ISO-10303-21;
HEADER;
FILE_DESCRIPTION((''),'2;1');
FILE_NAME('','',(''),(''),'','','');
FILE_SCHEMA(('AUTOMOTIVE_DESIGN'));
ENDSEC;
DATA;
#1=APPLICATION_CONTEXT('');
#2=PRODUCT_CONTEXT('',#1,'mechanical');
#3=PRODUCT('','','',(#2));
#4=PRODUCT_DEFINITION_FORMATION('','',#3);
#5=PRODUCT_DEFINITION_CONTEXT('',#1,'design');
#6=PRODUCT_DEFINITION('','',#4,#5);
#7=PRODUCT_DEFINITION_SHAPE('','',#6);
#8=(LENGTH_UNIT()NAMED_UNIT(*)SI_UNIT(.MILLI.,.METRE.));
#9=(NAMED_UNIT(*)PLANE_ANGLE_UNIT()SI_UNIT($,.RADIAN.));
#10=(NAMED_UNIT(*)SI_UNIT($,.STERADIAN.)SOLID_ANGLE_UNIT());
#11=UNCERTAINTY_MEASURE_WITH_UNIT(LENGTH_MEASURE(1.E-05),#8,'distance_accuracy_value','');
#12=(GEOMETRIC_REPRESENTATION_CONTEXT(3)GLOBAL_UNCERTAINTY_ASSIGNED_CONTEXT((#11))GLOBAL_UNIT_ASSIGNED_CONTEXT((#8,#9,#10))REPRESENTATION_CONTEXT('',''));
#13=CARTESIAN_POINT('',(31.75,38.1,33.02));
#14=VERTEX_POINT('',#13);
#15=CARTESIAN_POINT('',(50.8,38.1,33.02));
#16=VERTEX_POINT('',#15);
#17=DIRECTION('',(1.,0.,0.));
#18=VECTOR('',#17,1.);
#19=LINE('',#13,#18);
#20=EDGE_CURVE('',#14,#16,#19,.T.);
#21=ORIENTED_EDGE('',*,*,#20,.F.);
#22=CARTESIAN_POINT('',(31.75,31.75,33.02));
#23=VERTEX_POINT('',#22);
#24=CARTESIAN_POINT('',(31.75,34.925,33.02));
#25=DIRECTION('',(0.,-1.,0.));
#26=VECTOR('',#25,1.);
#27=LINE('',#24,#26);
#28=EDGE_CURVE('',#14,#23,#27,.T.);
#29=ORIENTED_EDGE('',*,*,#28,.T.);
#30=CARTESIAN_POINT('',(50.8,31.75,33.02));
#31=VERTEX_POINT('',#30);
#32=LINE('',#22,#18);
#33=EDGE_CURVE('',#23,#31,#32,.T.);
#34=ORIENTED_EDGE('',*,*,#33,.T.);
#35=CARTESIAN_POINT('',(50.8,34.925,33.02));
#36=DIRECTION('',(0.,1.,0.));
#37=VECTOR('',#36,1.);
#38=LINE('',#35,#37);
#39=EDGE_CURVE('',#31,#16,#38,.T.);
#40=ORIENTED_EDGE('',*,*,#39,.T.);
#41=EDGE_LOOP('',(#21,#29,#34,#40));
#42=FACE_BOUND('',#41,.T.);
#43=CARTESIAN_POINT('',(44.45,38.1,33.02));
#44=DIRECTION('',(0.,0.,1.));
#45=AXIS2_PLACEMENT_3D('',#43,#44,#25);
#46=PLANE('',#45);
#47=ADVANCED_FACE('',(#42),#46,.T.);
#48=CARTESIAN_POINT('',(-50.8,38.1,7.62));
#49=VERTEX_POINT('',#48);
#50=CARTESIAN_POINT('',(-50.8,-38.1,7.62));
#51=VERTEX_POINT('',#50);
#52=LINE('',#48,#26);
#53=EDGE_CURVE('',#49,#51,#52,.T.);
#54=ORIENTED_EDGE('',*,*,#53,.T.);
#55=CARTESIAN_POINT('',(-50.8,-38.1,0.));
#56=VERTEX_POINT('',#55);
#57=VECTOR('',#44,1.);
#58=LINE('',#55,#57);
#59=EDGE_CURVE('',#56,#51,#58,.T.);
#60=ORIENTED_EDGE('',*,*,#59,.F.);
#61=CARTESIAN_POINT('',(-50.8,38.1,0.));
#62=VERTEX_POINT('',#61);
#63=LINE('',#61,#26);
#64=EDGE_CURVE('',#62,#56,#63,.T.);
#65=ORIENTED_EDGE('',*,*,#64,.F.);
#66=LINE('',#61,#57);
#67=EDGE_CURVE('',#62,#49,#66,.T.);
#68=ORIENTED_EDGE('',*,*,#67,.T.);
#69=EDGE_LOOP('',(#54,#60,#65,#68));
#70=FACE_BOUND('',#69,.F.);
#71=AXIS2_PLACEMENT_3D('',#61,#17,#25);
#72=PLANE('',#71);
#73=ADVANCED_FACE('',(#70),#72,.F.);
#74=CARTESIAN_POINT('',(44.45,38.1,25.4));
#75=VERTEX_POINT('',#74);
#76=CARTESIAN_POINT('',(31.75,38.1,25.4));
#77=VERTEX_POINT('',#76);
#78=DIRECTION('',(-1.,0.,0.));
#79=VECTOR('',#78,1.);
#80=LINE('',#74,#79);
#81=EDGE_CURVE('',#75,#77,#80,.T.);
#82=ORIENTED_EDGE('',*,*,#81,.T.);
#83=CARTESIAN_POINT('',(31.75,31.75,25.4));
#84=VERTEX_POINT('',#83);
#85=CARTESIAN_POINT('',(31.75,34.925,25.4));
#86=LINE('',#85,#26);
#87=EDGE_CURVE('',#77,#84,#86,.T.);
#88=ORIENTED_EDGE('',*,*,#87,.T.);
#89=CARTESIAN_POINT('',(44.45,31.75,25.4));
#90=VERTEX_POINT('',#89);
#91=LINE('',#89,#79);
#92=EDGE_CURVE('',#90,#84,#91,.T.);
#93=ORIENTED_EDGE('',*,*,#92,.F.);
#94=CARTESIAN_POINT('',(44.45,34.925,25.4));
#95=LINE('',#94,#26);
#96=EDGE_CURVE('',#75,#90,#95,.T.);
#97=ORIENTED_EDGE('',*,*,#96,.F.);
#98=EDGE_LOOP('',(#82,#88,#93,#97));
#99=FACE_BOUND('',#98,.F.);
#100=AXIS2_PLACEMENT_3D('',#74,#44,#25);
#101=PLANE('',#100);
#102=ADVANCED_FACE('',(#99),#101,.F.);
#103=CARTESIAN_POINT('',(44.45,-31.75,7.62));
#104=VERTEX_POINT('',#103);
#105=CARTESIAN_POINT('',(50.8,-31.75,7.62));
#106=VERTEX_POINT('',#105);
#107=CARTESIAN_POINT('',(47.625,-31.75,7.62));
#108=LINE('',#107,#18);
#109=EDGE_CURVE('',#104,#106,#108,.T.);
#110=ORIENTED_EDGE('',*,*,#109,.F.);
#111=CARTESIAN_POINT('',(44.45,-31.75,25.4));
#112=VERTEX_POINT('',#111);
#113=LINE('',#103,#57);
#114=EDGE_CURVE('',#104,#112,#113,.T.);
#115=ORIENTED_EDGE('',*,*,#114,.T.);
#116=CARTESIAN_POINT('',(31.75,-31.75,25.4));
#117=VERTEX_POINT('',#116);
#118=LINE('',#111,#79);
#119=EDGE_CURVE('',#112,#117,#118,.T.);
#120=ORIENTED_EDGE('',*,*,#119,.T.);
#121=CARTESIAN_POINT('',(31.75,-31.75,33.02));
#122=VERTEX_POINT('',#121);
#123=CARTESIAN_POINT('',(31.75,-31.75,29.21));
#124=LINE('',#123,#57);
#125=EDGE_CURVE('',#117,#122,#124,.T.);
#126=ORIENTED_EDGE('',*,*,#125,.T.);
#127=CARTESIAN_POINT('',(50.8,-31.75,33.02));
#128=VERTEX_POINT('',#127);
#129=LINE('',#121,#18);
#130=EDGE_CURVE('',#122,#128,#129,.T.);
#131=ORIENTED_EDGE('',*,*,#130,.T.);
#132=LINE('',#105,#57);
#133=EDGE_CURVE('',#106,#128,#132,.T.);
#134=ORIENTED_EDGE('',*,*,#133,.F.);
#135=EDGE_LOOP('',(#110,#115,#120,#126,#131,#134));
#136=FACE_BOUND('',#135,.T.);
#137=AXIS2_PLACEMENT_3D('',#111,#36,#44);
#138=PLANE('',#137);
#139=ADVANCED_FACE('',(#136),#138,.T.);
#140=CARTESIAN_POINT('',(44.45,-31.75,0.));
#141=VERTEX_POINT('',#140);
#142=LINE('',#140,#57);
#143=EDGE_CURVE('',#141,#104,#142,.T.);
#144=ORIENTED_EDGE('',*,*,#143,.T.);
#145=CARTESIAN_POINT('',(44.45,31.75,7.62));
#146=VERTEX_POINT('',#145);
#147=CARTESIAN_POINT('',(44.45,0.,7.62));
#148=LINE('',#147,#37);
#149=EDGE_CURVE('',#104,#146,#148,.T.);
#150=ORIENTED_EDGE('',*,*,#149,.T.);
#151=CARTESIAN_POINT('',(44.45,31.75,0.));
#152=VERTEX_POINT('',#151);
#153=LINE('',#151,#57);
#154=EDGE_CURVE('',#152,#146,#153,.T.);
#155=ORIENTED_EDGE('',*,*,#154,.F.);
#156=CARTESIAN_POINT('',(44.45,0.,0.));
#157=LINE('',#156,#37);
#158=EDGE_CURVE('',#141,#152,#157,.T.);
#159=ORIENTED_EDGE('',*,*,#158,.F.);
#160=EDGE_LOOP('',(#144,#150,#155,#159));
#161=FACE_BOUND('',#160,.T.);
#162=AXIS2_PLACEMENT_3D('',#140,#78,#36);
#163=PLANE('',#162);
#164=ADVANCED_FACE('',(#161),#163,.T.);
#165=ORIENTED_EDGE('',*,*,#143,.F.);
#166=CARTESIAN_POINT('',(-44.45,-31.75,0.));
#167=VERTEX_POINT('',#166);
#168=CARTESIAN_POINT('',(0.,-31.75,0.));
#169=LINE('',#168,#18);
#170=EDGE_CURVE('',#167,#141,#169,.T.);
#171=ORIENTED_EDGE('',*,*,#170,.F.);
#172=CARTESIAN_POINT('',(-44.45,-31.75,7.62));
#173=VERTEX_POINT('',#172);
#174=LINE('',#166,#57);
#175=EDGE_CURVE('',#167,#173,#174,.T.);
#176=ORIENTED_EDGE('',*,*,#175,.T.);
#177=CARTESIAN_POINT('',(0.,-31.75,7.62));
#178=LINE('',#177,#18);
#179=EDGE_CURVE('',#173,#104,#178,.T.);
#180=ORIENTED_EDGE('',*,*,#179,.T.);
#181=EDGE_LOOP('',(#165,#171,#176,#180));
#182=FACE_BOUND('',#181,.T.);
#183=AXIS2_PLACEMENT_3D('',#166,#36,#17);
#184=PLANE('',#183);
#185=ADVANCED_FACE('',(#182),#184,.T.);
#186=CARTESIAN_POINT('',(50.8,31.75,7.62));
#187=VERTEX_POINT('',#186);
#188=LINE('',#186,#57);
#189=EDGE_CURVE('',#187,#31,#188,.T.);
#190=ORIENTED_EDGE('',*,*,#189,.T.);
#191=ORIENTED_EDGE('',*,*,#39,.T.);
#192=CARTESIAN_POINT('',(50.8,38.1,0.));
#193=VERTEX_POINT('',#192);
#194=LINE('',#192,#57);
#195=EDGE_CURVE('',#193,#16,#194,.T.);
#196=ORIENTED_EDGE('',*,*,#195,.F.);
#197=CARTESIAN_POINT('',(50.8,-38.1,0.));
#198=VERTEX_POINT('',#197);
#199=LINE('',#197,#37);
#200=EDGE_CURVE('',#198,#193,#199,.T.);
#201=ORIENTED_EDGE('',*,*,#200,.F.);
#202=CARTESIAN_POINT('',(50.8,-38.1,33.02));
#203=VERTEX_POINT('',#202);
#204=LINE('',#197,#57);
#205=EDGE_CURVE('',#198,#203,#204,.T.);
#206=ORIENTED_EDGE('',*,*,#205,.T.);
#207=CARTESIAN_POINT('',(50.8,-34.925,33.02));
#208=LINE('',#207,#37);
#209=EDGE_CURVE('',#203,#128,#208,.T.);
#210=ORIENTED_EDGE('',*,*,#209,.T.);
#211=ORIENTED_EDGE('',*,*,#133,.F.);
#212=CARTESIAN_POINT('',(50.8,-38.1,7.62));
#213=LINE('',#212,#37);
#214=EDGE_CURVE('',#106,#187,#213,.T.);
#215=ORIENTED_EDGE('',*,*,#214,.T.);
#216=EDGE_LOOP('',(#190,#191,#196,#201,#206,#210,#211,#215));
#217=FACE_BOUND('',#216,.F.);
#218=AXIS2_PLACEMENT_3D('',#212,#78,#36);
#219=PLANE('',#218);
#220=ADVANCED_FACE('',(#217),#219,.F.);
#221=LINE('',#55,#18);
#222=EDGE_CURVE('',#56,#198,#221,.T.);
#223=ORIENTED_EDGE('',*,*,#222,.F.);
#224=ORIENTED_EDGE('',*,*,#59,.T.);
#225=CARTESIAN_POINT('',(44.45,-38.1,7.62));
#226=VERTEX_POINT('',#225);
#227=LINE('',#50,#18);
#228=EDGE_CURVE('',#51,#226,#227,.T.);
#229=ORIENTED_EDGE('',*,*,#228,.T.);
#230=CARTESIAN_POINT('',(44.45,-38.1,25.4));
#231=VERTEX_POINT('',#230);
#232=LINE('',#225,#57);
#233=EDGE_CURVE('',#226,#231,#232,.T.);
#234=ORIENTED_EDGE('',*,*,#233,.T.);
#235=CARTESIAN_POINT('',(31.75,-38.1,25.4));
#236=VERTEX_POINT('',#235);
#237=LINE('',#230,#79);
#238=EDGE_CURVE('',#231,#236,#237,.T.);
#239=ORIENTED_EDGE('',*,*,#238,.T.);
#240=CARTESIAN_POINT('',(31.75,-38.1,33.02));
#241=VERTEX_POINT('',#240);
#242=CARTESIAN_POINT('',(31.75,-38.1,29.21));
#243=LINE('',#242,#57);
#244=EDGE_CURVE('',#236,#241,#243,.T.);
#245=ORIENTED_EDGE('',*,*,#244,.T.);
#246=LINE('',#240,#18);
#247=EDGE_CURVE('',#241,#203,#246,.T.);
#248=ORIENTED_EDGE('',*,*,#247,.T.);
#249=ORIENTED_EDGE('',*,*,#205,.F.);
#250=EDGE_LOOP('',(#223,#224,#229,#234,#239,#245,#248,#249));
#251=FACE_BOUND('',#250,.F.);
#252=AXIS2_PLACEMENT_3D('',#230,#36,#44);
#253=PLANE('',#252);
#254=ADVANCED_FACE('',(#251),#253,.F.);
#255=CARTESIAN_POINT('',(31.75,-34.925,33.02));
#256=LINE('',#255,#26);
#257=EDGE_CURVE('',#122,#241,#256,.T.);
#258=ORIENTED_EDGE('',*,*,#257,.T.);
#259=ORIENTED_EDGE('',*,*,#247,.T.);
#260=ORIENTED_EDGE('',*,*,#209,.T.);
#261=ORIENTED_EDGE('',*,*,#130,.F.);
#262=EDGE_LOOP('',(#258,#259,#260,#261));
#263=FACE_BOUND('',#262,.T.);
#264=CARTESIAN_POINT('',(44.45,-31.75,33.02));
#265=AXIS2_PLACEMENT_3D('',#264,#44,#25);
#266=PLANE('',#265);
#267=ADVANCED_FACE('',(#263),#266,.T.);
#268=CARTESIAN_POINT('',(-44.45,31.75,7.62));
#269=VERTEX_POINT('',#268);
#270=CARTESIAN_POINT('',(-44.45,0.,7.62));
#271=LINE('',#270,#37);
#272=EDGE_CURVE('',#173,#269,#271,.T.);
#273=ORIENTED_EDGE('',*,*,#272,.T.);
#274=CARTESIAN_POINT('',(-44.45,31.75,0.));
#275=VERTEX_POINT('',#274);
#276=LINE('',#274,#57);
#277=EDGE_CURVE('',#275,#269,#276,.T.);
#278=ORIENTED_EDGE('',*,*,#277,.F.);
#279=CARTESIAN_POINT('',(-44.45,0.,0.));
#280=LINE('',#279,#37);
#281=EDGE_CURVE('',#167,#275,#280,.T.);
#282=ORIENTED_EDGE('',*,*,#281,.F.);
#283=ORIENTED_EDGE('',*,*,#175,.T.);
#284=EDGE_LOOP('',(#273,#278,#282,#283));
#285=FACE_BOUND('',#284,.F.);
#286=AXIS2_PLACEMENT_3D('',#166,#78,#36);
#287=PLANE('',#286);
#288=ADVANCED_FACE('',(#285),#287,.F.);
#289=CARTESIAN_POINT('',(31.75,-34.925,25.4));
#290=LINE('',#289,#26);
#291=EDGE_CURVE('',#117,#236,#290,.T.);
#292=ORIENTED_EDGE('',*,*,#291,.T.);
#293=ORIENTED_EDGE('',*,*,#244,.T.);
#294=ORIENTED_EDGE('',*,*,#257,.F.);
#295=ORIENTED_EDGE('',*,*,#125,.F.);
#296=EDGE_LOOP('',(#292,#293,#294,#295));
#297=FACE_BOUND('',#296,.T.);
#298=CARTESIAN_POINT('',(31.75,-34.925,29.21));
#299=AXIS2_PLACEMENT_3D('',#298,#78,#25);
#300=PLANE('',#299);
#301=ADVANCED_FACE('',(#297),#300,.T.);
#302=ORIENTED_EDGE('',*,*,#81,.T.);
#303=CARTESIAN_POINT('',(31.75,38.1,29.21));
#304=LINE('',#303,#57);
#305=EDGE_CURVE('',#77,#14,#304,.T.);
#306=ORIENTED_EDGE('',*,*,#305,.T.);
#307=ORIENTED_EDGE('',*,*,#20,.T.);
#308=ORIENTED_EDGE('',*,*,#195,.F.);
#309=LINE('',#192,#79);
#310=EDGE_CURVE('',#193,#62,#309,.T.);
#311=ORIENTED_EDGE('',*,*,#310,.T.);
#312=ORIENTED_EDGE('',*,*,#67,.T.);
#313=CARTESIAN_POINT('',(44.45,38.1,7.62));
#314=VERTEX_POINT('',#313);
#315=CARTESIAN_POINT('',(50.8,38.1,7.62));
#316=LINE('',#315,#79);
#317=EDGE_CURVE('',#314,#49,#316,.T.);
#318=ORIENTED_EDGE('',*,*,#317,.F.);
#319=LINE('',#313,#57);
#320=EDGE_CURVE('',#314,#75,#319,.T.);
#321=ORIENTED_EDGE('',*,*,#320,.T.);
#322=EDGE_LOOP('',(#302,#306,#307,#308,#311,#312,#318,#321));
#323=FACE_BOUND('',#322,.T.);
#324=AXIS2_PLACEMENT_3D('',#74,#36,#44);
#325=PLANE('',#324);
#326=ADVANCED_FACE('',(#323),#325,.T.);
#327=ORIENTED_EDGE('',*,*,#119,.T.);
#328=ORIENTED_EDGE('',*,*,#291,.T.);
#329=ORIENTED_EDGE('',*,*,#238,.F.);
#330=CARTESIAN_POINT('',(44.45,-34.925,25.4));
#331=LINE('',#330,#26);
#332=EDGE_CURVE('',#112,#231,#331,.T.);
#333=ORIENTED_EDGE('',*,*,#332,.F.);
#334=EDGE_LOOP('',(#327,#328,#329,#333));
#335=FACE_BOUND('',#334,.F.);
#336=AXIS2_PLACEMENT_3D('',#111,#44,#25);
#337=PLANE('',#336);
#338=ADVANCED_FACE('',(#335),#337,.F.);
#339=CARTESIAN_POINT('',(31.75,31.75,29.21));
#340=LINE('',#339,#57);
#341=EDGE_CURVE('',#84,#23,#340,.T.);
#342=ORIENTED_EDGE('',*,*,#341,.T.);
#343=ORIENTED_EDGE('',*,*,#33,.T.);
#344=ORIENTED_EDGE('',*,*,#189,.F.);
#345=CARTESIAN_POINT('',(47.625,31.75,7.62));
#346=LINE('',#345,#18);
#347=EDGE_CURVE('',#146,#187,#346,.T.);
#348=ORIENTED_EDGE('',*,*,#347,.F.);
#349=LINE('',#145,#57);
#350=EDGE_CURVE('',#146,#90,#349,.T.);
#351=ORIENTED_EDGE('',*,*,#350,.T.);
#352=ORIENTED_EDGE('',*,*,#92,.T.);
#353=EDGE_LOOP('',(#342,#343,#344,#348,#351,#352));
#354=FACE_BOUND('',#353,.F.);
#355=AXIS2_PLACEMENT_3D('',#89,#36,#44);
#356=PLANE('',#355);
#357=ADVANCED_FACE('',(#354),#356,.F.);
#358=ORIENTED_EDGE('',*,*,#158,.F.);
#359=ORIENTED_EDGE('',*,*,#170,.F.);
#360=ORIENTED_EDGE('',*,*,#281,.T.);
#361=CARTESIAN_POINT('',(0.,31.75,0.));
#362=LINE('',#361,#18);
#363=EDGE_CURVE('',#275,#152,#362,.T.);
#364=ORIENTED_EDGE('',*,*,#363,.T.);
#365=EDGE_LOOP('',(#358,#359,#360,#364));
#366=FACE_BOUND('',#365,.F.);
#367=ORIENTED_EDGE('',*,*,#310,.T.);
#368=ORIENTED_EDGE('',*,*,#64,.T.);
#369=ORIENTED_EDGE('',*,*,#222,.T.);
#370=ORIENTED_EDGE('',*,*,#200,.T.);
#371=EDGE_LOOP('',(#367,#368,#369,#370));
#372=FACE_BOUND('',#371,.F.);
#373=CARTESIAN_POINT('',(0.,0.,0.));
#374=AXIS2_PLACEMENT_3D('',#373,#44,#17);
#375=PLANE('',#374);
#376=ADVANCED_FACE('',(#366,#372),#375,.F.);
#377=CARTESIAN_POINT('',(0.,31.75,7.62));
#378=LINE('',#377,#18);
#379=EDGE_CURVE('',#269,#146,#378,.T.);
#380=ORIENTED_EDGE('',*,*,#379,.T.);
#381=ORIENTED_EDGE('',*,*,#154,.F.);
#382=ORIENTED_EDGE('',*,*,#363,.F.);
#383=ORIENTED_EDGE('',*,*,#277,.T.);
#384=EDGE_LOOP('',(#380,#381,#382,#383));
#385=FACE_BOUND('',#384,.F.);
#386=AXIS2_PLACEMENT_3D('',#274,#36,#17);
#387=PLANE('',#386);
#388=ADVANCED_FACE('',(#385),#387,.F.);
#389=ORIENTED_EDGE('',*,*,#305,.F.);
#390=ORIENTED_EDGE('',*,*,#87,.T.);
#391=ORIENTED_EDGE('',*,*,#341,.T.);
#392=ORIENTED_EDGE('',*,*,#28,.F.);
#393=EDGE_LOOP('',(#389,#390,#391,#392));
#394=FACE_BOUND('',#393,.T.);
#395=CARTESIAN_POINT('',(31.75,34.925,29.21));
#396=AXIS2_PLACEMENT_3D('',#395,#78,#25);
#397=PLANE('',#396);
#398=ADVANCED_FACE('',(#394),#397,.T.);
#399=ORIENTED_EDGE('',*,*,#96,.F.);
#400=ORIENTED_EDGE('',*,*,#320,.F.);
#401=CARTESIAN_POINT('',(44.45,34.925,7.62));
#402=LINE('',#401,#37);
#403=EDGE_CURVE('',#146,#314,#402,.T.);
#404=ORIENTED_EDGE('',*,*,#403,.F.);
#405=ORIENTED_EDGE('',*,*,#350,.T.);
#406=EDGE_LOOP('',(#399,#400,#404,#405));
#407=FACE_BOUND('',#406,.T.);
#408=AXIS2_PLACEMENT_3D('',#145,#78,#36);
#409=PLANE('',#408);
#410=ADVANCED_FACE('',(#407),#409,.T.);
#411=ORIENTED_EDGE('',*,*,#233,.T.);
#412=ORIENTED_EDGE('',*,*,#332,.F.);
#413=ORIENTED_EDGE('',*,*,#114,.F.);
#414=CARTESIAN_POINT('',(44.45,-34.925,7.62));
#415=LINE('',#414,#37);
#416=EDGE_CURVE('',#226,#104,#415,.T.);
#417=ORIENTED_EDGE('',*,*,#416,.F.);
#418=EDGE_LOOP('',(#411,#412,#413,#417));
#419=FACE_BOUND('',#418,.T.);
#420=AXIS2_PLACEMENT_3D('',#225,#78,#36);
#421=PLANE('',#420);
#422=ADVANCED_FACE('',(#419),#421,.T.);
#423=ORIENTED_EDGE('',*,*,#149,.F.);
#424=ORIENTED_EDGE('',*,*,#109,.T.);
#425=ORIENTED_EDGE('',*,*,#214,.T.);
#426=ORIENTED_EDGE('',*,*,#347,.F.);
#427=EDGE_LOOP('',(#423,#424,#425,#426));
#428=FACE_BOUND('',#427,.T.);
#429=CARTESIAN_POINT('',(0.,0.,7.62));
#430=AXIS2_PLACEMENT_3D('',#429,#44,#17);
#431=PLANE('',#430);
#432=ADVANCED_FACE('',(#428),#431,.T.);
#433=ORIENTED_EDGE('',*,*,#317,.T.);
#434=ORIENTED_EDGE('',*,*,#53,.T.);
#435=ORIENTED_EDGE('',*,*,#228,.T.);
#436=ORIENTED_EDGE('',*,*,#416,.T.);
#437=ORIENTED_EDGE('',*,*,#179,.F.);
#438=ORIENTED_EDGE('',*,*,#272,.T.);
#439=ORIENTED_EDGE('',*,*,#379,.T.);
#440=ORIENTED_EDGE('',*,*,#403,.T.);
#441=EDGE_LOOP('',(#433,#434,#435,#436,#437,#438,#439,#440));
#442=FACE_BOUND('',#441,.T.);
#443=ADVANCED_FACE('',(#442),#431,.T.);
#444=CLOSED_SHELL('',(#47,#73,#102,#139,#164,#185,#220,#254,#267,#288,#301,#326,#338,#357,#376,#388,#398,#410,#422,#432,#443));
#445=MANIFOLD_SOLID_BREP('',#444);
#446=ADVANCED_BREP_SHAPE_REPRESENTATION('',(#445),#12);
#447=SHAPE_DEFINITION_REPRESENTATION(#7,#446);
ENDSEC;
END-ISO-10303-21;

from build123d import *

# Parameters (mm, degrees)
F0_W     = 88.9
F0_H     = 63.5
F1_DEPTH = 7.62
F2_W     = 6.35
F2_H     = 6.35
F3_DEPTH = 25.4
F4_W     = 6.35
F4_H     = 7.62
F5_DEPTH = 12.7
F6_W     = 6.35
F6_H     = 7.62
F7_DEPTH = 12.7


with BuildPart() as f1:
    # F0 (on Top) → F1 (new body)
    with BuildSketch(Plane.XY):
        Polygon((50.8, 38.1), (-50.8, 38.1), (-50.8, -38.1), (50.8, -38.1), (50.8, 4.614057), align=None)
        Rectangle(F0_W, F0_H, mode=Mode.SUBTRACT)
    extrude(amount=F1_DEPTH)

    # F2 (on face) → F3 (join)
    with BuildSketch(Plane.XY.offset(7.62)):
        with Locations((47.625, -34.925)):
            Rectangle(F2_W, F2_H)
        with Locations((47.625, 34.925)):
            Rectangle(F2_W, F2_H)
    extrude(amount=F3_DEPTH)

    # F4 (on face) → F5 (join)
    with BuildSketch(Plane(origin=(44.45, 0, 0), x_dir=(0, -1, 0), z_dir=(-1, 0, 0))):
        with Locations((-34.925, 29.21)):
            Rectangle(F4_W, F4_H)
    extrude(amount=F5_DEPTH)

    # F6 (on face) → F7 (join)
    with BuildSketch(Plane(origin=(44.45, 0, 0), x_dir=(0, -1, 0), z_dir=(-1, 0, 0))):
        with Locations((34.925, 29.21)):
            Rectangle(F6_W, F6_H)
    extrude(amount=F7_DEPTH)


solid = f1.part
